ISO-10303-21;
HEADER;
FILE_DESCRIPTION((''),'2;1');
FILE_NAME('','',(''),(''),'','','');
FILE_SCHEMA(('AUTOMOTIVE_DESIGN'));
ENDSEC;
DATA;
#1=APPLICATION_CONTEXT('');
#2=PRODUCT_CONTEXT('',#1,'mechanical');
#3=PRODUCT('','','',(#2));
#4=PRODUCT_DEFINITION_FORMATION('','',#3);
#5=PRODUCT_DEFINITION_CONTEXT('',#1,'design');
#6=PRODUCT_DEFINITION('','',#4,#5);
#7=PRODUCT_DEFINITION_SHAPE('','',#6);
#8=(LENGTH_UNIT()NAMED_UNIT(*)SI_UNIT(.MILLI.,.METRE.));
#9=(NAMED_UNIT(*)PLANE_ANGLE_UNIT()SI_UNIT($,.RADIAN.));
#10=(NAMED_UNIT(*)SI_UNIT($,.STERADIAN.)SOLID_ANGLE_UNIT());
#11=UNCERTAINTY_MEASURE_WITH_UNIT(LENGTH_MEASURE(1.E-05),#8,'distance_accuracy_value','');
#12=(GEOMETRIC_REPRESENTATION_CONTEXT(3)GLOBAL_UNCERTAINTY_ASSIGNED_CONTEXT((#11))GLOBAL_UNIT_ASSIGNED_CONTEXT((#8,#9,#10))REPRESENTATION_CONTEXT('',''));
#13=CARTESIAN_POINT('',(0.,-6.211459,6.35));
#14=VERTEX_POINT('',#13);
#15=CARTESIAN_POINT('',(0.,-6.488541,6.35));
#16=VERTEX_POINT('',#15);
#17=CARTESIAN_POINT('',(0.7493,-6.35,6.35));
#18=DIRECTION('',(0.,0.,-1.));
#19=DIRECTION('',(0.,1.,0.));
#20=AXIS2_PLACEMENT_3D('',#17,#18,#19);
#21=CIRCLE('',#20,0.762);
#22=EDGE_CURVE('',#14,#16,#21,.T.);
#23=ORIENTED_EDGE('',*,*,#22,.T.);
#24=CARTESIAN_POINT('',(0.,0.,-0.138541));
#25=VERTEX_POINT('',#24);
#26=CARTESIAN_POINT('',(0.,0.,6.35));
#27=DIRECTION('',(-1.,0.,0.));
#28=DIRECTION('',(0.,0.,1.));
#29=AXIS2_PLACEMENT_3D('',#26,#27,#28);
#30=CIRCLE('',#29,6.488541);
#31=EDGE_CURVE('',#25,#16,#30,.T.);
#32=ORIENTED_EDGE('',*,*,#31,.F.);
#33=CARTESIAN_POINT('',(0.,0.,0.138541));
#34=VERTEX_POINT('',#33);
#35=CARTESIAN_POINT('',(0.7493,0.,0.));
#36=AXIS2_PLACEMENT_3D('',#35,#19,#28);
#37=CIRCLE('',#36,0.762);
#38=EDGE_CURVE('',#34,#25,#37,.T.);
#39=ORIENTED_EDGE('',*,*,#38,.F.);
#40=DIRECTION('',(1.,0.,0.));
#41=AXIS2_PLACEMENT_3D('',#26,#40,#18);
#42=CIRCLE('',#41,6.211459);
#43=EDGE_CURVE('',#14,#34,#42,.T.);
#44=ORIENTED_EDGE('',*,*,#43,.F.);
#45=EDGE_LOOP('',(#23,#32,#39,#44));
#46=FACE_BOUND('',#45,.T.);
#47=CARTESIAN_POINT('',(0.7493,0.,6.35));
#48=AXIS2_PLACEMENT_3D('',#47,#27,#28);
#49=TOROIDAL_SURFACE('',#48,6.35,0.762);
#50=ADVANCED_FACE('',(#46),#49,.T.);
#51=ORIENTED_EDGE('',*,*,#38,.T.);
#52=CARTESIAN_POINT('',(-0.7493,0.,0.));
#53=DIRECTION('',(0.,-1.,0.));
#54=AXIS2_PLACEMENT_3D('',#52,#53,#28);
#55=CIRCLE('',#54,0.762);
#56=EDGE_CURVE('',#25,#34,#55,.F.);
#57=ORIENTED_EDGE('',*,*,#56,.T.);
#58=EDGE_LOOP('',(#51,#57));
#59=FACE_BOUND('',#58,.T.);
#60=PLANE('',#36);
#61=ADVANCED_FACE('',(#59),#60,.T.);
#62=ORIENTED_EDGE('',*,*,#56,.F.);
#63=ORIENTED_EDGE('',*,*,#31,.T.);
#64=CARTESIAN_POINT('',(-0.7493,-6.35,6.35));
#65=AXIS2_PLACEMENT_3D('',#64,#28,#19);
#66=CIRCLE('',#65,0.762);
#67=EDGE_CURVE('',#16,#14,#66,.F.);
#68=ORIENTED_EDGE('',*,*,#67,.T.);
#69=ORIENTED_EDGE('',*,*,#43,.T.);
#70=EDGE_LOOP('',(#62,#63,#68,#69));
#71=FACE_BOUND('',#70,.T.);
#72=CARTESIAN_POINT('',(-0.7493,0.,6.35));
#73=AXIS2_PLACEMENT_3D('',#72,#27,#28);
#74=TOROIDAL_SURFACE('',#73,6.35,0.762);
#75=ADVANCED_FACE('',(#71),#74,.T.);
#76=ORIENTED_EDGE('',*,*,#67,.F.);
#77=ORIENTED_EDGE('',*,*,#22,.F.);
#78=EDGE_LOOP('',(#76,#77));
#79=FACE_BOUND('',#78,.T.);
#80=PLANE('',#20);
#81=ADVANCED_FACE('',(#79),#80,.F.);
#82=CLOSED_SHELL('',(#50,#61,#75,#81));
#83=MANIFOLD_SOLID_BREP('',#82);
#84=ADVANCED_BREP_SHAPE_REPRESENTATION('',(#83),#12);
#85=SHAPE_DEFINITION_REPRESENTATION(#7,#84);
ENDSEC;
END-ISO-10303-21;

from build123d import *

# Parameters (mm, degrees)
SKETCH1_R = 0.762


with BuildPart() as part:
    # Sweep2: sweep along a path in Sketch3
    with BuildLine(Plane(origin=(0.2794, 0, 0), x_dir=(0, 0, -1), z_dir=(1, 0, 0))) as sweep2_path:
        ThreePointArc((0, 0), (-1.859871939, -4.490128061), (-6.35, -6.35))
    # Sketch1 → Sweep2 (sweep)
    with BuildSketch(Plane(origin=(0, 0, 0), x_dir=(1, 0, 0), z_dir=(0, 1, 0))):
        with Locations((0.7493, 0)):
            Circle(SKETCH1_R)
    sweep2 = sweep(path=sweep2_path.line)

    # Mirror4: Sweep2 across plane
    add(sweep2.mirror(Plane(origin=(0, 0, 0), x_dir=(0, 0, 1), z_dir=(1, 0, 0))))


solid = part.part
